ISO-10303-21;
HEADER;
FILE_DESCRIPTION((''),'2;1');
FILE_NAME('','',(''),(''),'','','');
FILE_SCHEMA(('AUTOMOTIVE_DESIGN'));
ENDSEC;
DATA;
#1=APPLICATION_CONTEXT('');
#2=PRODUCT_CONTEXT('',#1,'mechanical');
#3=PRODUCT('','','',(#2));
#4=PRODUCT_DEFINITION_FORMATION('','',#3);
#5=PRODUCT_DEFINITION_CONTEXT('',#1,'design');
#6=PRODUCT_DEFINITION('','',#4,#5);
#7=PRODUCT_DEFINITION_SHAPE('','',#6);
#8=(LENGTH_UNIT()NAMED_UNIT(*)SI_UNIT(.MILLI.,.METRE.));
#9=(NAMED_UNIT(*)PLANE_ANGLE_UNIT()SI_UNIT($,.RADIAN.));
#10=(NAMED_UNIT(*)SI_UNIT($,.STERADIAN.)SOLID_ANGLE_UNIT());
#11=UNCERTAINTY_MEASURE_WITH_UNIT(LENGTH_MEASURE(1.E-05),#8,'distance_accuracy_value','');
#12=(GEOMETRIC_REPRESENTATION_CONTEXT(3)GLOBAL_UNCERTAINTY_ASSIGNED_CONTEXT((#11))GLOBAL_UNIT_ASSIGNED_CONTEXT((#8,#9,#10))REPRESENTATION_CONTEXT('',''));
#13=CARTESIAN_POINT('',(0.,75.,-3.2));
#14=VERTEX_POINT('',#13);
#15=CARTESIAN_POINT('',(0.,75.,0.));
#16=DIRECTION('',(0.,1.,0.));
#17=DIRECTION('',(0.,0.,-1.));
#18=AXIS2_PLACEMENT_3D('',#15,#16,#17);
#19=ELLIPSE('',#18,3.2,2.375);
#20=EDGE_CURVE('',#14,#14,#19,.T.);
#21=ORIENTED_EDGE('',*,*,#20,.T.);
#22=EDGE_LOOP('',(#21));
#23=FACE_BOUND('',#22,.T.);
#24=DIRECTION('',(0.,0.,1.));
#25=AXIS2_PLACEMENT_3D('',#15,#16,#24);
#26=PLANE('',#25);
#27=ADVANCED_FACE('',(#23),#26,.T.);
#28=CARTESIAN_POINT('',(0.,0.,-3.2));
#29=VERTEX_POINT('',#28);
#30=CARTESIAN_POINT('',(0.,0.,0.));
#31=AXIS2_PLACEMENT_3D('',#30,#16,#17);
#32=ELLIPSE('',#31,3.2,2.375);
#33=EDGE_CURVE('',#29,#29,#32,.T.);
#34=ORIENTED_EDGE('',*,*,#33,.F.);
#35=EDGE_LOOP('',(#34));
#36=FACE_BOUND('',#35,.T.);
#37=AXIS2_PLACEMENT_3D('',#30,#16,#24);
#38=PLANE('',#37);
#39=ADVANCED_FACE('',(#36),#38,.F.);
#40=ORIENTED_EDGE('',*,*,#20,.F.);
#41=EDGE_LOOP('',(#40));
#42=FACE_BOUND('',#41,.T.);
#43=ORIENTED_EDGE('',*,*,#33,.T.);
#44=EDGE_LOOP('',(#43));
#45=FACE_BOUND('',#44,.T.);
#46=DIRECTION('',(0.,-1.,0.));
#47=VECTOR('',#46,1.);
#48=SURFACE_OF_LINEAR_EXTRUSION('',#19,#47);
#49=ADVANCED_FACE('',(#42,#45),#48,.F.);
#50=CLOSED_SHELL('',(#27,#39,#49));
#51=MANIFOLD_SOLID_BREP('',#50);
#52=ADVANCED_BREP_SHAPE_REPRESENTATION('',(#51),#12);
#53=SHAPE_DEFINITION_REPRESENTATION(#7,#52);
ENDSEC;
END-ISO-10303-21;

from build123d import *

# Parameters (mm, degrees)
CROQUIS2_RX             = 3.2
CROQUIS2_RY             = 2.375
SALIENTE_EXTRUIR1_DEPTH = 75


with BuildPart() as part:
    # Croquis2 → Saliente-Extruir1 (new body)
    with BuildSketch(Plane(origin=(0, 0, 0), x_dir=(1, 0, 0), z_dir=(0, 1, 0))):
        with Locations(Location((0, 0), (0, 0, 90))):
            Ellipse(CROQUIS2_RX, CROQUIS2_RY)
    extrude(amount=SALIENTE_EXTRUIR1_DEPTH)


solid = part.part
